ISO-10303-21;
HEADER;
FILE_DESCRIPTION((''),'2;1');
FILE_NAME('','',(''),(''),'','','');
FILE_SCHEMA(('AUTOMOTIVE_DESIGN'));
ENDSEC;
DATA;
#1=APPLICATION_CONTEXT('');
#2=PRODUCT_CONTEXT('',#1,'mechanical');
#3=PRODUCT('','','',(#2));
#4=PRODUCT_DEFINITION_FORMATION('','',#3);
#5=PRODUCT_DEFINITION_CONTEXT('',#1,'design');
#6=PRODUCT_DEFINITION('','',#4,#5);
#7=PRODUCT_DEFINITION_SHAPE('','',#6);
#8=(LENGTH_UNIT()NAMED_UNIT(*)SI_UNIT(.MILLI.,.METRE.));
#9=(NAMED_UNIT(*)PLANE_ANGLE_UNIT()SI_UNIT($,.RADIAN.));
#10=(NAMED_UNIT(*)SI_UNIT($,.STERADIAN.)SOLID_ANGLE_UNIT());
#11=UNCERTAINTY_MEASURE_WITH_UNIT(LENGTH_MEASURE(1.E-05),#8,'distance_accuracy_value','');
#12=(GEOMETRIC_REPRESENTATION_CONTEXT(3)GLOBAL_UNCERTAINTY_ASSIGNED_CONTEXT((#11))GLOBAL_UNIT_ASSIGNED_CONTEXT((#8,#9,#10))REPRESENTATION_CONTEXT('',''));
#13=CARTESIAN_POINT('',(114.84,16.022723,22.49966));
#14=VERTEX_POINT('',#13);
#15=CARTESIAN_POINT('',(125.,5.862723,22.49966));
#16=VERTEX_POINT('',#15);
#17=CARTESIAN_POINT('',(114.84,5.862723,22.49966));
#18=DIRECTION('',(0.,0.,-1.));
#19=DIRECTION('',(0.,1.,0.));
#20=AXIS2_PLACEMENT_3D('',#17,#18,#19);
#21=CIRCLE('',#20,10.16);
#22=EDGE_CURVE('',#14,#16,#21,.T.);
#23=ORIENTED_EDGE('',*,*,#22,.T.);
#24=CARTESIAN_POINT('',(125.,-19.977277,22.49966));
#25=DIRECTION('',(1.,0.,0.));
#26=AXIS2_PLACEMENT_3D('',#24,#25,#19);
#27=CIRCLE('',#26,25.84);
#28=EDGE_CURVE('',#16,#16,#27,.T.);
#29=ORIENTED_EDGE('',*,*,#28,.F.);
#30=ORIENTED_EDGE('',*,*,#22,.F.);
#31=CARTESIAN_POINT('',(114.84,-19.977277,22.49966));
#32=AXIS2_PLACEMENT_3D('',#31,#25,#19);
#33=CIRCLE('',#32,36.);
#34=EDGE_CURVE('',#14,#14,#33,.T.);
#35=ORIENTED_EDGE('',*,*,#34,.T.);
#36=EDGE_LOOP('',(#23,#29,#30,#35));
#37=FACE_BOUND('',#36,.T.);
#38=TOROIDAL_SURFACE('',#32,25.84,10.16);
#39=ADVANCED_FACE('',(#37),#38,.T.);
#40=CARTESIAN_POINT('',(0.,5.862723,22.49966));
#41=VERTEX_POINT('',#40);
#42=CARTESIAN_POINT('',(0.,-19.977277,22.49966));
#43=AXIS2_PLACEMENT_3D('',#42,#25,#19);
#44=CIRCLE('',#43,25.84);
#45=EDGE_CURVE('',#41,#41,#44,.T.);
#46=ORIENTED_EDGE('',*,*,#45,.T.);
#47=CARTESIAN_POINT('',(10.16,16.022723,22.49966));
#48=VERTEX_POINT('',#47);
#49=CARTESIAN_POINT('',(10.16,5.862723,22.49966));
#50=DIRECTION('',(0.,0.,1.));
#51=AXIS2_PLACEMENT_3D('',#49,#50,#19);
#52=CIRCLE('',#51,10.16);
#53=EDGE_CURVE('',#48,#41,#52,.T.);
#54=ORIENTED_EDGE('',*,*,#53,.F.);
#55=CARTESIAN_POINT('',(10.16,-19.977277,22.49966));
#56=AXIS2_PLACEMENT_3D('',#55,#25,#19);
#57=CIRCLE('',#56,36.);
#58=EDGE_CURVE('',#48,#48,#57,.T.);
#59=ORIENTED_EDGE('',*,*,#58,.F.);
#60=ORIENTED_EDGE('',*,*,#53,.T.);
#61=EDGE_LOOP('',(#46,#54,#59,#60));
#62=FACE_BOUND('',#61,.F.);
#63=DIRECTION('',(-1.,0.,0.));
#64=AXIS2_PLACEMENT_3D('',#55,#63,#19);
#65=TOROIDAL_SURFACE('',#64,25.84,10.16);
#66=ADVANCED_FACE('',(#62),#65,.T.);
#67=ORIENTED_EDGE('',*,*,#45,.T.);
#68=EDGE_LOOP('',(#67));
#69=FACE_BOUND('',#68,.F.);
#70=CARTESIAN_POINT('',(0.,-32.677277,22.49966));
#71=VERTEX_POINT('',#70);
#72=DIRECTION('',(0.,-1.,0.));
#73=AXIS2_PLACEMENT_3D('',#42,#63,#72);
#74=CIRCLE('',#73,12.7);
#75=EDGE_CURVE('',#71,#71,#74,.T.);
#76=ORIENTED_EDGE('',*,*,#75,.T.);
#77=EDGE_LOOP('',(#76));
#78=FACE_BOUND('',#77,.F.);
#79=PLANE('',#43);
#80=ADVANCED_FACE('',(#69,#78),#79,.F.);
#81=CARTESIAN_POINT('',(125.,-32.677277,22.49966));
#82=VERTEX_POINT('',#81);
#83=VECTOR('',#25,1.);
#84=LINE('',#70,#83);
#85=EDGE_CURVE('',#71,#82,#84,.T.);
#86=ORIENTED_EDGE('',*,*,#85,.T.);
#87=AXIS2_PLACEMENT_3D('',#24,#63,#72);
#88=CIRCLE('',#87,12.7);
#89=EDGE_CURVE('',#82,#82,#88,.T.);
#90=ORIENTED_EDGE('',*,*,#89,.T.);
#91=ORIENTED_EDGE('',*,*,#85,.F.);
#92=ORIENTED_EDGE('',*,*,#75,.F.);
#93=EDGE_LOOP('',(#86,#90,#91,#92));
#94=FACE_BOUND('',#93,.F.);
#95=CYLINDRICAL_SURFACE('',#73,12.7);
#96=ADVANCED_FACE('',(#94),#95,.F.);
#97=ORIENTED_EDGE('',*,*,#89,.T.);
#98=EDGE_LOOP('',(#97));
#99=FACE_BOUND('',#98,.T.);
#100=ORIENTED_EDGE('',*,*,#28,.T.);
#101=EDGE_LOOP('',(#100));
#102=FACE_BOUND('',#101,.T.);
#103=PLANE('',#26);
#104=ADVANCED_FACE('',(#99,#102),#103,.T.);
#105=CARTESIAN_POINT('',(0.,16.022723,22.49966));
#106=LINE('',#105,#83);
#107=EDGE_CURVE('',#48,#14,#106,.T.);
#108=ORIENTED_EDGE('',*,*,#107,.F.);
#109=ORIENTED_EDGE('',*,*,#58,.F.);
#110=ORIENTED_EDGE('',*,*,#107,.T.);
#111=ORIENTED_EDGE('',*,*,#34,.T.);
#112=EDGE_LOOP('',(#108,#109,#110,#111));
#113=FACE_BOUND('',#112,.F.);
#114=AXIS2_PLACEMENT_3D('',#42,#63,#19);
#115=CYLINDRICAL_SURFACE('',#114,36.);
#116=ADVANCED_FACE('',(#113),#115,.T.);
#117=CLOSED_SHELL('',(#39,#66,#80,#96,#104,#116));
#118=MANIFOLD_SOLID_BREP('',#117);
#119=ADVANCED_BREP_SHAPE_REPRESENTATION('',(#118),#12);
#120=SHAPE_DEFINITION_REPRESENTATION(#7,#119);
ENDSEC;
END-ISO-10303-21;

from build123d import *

# Parameters (mm, degrees)
F0_R     = 36
F1_DEPTH = 125
F2_R     = 12.7
F3_DEPTH = 254
F4_R     = 10.16


with BuildPart() as f1:
    # F0 (on Right) → F1 (new body)
    with BuildSketch(Plane.YZ):
        with Locations((-19.977277, 22.49966)):
            Circle(F0_R)
    extrude(amount=F1_DEPTH)

    # F2 (on face) → F3 (cut)
    with BuildSketch(Plane(origin=(0, 0, 0), x_dir=(0, -1, 0), z_dir=(-1, 0, 0))):
        with Locations((19.977277, 22.49966)):
            Circle(F2_R)
    extrude(amount=-F3_DEPTH, mode=Mode.SUBTRACT)

    # F4
    f4_edges = [f1.edges().sort_by_distance(p)[0] for p in [
        (0, -55.977277, 22.49966),
        (125, -55.977277, 22.49966),
    ]]
    fillet(f4_edges, radius=F4_R)


solid = f1.part
